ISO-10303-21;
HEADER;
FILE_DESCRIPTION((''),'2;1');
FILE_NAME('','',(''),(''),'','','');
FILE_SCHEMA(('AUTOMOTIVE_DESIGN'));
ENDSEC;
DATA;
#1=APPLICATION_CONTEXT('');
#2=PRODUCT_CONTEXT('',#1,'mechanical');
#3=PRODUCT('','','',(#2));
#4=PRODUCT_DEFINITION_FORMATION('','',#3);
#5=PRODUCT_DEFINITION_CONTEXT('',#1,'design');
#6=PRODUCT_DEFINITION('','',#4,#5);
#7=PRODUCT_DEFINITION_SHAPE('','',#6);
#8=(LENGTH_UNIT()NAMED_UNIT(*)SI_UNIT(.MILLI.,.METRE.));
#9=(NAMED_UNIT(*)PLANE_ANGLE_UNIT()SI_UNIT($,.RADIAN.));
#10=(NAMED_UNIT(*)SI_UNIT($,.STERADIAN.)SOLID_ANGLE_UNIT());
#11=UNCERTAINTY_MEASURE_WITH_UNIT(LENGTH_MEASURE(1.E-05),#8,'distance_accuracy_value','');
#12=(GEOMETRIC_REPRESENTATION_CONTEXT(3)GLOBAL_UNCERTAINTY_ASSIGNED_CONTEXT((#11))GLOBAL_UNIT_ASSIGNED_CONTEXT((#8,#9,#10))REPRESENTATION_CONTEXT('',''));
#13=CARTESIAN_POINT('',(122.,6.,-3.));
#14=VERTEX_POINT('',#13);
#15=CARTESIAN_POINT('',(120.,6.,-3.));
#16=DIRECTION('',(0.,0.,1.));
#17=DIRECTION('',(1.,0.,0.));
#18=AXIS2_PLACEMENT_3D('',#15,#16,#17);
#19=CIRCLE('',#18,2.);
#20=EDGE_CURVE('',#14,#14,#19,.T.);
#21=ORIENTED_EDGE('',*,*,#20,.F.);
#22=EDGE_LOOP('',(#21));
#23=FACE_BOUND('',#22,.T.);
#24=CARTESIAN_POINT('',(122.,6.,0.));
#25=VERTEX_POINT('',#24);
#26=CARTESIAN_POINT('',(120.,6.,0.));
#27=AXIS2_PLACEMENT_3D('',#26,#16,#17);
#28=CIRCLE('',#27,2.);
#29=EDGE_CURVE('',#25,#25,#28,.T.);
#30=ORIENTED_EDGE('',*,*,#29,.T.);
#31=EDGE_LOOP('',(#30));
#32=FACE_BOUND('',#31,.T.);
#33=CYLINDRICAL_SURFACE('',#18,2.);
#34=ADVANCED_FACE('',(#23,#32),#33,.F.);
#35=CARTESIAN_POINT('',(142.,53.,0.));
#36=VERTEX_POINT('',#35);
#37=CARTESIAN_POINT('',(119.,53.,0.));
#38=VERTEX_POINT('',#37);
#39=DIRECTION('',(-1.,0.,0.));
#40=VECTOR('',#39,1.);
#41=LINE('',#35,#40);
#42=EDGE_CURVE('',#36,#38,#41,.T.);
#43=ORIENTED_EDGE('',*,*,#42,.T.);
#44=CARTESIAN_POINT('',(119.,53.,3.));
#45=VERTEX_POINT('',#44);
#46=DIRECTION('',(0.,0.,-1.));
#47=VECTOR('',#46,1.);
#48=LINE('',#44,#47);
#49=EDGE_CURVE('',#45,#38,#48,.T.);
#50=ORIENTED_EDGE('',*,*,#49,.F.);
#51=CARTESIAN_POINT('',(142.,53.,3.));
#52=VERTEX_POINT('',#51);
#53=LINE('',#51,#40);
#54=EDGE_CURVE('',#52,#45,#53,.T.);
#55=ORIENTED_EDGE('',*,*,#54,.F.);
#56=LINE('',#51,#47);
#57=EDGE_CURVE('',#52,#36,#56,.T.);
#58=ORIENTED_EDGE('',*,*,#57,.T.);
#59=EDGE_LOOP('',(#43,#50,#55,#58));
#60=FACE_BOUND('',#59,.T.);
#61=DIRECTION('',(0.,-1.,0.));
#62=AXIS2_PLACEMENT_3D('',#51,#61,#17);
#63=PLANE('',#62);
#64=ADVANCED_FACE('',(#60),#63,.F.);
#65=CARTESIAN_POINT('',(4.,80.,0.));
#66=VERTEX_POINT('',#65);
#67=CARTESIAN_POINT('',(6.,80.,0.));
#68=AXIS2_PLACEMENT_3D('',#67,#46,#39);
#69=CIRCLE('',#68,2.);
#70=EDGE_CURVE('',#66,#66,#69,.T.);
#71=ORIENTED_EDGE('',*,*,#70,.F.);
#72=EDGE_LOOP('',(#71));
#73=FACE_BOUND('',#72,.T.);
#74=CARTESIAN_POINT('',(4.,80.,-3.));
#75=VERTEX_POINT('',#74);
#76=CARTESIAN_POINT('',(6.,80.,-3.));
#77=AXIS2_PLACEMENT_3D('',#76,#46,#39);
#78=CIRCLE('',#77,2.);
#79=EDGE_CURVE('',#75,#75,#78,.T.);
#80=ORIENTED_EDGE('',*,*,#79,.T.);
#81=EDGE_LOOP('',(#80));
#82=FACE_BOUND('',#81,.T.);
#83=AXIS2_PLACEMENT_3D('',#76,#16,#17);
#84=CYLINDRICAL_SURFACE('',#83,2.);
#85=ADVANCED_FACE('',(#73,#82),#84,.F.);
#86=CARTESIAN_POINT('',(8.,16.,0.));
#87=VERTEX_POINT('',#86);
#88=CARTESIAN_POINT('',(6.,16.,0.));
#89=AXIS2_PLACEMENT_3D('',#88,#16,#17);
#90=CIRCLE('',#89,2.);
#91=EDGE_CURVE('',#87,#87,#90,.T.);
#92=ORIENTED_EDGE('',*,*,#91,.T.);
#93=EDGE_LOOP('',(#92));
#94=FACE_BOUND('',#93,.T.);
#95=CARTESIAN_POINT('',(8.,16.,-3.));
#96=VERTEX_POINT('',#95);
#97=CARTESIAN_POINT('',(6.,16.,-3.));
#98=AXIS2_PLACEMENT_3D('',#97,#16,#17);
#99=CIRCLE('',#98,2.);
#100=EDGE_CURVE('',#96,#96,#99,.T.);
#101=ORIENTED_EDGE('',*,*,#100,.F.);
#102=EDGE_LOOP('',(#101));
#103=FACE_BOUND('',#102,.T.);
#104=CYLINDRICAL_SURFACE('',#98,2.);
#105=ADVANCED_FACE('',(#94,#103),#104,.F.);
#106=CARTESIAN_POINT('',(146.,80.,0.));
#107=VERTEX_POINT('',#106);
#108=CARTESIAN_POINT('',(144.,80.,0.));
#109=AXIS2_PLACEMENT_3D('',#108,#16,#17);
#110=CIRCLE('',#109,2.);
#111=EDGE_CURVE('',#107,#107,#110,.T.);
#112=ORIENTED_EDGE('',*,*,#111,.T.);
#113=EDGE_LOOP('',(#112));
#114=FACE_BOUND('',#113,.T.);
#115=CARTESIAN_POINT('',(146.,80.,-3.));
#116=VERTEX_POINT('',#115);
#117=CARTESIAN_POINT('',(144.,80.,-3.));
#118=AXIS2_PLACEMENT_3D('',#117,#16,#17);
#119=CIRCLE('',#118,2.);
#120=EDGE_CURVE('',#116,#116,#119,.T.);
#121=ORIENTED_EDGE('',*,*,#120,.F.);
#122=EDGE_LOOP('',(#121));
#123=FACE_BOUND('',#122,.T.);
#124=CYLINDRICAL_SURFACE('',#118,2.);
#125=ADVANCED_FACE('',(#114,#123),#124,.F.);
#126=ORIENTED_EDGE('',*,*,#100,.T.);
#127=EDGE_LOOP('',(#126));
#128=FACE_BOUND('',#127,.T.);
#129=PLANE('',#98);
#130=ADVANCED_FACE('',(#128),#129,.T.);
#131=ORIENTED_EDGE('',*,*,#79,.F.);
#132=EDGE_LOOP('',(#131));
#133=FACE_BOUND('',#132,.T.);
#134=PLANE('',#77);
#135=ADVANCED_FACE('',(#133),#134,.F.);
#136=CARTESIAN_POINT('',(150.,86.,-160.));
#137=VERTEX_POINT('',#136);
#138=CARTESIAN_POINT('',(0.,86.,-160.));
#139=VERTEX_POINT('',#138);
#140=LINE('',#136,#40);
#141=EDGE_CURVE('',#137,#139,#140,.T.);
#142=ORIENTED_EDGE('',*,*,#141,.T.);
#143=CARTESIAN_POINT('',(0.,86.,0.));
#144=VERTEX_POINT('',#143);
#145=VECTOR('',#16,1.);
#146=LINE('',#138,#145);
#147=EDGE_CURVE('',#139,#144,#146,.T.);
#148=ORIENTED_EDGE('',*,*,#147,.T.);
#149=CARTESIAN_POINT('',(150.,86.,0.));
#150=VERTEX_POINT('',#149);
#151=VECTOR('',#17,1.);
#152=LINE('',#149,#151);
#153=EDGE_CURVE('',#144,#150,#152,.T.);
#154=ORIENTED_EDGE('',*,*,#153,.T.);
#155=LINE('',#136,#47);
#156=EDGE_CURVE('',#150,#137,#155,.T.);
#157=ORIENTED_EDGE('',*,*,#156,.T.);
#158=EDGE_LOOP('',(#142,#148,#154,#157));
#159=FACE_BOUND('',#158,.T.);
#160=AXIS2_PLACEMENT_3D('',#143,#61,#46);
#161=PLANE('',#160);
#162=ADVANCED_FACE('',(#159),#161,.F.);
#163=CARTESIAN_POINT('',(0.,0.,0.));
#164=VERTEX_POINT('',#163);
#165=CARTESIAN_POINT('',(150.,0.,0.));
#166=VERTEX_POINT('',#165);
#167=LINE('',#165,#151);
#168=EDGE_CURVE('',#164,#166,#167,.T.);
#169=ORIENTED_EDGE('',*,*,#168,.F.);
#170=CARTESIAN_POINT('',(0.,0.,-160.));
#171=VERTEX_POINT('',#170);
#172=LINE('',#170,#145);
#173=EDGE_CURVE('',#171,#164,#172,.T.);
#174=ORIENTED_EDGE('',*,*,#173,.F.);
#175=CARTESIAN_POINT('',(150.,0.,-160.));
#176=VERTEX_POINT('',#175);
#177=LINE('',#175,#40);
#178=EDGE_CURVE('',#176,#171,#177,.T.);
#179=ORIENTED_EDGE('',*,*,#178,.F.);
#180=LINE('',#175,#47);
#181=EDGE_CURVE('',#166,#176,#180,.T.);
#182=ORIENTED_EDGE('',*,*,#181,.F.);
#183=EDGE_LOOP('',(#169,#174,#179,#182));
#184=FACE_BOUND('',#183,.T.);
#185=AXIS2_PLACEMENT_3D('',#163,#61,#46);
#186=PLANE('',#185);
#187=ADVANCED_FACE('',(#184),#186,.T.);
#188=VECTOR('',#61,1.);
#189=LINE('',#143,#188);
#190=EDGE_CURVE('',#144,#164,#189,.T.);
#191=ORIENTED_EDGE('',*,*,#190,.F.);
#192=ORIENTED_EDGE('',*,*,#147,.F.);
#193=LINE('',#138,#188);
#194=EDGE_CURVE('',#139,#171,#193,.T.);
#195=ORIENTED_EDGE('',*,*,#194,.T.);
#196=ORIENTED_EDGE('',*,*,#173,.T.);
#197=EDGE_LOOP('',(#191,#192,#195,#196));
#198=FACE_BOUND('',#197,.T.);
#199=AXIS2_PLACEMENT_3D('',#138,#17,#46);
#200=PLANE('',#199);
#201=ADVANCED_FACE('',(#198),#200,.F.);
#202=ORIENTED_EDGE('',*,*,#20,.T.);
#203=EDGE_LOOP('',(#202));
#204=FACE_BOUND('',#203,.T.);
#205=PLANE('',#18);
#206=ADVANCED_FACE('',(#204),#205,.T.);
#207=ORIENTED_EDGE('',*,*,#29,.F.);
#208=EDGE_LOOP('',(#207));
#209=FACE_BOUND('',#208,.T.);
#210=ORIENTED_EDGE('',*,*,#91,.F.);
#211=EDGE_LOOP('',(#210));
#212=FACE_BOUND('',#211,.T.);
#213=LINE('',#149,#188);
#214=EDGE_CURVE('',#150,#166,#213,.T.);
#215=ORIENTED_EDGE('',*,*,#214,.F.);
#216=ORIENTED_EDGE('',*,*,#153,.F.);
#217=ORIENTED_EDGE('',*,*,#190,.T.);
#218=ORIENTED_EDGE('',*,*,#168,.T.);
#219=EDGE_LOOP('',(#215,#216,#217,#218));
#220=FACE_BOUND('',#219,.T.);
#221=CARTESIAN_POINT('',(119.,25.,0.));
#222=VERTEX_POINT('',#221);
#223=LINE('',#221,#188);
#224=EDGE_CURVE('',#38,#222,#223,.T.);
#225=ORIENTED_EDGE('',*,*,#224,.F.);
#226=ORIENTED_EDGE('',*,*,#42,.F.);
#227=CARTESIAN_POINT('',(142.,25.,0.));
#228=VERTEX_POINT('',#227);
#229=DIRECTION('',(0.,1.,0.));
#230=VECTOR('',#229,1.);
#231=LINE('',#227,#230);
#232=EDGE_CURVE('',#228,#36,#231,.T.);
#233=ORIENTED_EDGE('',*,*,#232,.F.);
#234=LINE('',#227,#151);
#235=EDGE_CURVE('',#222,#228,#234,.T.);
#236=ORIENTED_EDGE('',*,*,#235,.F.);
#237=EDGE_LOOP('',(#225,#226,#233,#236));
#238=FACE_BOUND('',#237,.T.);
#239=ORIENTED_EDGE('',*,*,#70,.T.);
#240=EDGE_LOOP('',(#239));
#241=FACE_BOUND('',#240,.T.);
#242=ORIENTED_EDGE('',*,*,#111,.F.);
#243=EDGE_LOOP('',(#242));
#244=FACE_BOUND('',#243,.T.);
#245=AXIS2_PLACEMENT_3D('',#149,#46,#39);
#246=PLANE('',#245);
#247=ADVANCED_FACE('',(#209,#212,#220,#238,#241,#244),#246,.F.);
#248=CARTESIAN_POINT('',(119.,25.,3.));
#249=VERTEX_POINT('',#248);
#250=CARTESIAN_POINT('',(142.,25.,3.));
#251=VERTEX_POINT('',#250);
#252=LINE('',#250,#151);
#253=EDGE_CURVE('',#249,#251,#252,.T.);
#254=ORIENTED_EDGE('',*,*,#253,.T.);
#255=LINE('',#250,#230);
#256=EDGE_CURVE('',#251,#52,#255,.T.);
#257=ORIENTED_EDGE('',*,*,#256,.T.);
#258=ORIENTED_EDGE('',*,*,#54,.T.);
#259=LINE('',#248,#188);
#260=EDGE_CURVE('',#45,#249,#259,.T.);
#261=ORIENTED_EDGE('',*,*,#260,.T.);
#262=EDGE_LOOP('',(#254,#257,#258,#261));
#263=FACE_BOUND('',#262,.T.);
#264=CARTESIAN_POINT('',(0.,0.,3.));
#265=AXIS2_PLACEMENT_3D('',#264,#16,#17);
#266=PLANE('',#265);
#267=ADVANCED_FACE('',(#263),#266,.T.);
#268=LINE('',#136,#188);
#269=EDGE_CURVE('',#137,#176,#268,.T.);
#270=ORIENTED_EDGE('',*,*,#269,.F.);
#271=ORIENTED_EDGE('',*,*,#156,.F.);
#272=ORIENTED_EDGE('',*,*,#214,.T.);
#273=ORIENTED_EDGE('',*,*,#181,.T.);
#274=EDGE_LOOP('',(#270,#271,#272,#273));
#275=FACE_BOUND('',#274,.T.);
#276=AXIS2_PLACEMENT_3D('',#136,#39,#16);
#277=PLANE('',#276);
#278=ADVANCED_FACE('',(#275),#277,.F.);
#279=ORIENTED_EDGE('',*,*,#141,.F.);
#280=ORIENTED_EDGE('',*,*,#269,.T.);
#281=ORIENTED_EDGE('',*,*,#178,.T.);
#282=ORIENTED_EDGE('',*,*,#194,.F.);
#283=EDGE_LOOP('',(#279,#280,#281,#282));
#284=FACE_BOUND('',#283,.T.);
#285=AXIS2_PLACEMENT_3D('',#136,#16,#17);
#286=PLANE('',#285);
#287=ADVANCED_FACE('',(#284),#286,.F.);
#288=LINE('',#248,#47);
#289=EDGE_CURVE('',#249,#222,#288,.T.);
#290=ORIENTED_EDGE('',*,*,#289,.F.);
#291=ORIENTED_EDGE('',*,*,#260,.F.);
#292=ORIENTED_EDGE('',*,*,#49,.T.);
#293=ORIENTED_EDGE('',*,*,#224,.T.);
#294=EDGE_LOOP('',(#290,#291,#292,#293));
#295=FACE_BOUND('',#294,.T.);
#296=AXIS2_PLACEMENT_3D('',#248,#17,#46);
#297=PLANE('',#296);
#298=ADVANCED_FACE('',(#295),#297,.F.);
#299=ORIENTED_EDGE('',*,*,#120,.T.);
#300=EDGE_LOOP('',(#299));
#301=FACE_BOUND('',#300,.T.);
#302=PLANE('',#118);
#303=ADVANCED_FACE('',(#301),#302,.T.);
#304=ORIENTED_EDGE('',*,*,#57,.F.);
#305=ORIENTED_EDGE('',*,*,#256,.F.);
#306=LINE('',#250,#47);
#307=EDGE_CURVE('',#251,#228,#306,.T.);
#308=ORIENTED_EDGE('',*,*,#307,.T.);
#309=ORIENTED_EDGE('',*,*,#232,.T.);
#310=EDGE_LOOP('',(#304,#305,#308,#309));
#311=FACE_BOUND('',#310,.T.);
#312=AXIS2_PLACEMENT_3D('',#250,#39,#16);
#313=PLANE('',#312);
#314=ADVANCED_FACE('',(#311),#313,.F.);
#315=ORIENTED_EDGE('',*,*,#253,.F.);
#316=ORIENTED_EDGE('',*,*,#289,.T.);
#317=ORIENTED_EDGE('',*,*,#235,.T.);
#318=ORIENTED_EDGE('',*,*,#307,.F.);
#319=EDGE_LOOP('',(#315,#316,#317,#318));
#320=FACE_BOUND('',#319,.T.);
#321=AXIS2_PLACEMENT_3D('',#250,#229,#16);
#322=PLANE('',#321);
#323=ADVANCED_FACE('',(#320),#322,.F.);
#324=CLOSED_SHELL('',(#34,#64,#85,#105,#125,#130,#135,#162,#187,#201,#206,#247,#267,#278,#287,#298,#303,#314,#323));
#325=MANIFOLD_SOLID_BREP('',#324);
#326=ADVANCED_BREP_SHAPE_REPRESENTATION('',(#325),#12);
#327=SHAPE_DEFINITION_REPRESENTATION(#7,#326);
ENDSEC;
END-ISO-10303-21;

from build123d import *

# Parameters (mm, degrees)
SKETCH1_W           = 150
SKETCH1_H           = 160
BOSS_EXTRUDE1_DEPTH = 86
SKETCH6_W           = 23
SKETCH6_H           = 28
BOSS_EXTRUDE2_DEPTH = 3
SKETCH7_R           = 2
CUT_EXTRUDE1_DEPTH  = 3


with BuildPart() as part:
    # Sketch1 → Boss-Extrude1 (new body)
    with BuildSketch(Plane(origin=(0, 0, 0), x_dir=(1, 0, 0), z_dir=(0, 1, 0))):
        with Locations((75, 80)):
            Rectangle(SKETCH1_W, SKETCH1_H)
    extrude(amount=BOSS_EXTRUDE1_DEPTH)

    # Sketch6 → Boss-Extrude2 (add)
    with BuildSketch(Plane.XY):
        with Locations((130.5, 39)):
            Rectangle(SKETCH6_W, SKETCH6_H)
    extrude(amount=BOSS_EXTRUDE2_DEPTH)

    # Sketch7 → Cut-Extrude1 (cut)
    with BuildSketch(Plane.XY):
        with Locations((144, 80)):
            Circle(SKETCH7_R)
        with Locations(Location((6, 80, 0), (0, 0, 180))):
            Circle(SKETCH7_R)
        with Locations((6, 16)):
            Circle(SKETCH7_R)
        with Locations((120, 6)):
            Circle(SKETCH7_R)
    extrude(amount=-CUT_EXTRUDE1_DEPTH, mode=Mode.SUBTRACT)


solid = part.part
